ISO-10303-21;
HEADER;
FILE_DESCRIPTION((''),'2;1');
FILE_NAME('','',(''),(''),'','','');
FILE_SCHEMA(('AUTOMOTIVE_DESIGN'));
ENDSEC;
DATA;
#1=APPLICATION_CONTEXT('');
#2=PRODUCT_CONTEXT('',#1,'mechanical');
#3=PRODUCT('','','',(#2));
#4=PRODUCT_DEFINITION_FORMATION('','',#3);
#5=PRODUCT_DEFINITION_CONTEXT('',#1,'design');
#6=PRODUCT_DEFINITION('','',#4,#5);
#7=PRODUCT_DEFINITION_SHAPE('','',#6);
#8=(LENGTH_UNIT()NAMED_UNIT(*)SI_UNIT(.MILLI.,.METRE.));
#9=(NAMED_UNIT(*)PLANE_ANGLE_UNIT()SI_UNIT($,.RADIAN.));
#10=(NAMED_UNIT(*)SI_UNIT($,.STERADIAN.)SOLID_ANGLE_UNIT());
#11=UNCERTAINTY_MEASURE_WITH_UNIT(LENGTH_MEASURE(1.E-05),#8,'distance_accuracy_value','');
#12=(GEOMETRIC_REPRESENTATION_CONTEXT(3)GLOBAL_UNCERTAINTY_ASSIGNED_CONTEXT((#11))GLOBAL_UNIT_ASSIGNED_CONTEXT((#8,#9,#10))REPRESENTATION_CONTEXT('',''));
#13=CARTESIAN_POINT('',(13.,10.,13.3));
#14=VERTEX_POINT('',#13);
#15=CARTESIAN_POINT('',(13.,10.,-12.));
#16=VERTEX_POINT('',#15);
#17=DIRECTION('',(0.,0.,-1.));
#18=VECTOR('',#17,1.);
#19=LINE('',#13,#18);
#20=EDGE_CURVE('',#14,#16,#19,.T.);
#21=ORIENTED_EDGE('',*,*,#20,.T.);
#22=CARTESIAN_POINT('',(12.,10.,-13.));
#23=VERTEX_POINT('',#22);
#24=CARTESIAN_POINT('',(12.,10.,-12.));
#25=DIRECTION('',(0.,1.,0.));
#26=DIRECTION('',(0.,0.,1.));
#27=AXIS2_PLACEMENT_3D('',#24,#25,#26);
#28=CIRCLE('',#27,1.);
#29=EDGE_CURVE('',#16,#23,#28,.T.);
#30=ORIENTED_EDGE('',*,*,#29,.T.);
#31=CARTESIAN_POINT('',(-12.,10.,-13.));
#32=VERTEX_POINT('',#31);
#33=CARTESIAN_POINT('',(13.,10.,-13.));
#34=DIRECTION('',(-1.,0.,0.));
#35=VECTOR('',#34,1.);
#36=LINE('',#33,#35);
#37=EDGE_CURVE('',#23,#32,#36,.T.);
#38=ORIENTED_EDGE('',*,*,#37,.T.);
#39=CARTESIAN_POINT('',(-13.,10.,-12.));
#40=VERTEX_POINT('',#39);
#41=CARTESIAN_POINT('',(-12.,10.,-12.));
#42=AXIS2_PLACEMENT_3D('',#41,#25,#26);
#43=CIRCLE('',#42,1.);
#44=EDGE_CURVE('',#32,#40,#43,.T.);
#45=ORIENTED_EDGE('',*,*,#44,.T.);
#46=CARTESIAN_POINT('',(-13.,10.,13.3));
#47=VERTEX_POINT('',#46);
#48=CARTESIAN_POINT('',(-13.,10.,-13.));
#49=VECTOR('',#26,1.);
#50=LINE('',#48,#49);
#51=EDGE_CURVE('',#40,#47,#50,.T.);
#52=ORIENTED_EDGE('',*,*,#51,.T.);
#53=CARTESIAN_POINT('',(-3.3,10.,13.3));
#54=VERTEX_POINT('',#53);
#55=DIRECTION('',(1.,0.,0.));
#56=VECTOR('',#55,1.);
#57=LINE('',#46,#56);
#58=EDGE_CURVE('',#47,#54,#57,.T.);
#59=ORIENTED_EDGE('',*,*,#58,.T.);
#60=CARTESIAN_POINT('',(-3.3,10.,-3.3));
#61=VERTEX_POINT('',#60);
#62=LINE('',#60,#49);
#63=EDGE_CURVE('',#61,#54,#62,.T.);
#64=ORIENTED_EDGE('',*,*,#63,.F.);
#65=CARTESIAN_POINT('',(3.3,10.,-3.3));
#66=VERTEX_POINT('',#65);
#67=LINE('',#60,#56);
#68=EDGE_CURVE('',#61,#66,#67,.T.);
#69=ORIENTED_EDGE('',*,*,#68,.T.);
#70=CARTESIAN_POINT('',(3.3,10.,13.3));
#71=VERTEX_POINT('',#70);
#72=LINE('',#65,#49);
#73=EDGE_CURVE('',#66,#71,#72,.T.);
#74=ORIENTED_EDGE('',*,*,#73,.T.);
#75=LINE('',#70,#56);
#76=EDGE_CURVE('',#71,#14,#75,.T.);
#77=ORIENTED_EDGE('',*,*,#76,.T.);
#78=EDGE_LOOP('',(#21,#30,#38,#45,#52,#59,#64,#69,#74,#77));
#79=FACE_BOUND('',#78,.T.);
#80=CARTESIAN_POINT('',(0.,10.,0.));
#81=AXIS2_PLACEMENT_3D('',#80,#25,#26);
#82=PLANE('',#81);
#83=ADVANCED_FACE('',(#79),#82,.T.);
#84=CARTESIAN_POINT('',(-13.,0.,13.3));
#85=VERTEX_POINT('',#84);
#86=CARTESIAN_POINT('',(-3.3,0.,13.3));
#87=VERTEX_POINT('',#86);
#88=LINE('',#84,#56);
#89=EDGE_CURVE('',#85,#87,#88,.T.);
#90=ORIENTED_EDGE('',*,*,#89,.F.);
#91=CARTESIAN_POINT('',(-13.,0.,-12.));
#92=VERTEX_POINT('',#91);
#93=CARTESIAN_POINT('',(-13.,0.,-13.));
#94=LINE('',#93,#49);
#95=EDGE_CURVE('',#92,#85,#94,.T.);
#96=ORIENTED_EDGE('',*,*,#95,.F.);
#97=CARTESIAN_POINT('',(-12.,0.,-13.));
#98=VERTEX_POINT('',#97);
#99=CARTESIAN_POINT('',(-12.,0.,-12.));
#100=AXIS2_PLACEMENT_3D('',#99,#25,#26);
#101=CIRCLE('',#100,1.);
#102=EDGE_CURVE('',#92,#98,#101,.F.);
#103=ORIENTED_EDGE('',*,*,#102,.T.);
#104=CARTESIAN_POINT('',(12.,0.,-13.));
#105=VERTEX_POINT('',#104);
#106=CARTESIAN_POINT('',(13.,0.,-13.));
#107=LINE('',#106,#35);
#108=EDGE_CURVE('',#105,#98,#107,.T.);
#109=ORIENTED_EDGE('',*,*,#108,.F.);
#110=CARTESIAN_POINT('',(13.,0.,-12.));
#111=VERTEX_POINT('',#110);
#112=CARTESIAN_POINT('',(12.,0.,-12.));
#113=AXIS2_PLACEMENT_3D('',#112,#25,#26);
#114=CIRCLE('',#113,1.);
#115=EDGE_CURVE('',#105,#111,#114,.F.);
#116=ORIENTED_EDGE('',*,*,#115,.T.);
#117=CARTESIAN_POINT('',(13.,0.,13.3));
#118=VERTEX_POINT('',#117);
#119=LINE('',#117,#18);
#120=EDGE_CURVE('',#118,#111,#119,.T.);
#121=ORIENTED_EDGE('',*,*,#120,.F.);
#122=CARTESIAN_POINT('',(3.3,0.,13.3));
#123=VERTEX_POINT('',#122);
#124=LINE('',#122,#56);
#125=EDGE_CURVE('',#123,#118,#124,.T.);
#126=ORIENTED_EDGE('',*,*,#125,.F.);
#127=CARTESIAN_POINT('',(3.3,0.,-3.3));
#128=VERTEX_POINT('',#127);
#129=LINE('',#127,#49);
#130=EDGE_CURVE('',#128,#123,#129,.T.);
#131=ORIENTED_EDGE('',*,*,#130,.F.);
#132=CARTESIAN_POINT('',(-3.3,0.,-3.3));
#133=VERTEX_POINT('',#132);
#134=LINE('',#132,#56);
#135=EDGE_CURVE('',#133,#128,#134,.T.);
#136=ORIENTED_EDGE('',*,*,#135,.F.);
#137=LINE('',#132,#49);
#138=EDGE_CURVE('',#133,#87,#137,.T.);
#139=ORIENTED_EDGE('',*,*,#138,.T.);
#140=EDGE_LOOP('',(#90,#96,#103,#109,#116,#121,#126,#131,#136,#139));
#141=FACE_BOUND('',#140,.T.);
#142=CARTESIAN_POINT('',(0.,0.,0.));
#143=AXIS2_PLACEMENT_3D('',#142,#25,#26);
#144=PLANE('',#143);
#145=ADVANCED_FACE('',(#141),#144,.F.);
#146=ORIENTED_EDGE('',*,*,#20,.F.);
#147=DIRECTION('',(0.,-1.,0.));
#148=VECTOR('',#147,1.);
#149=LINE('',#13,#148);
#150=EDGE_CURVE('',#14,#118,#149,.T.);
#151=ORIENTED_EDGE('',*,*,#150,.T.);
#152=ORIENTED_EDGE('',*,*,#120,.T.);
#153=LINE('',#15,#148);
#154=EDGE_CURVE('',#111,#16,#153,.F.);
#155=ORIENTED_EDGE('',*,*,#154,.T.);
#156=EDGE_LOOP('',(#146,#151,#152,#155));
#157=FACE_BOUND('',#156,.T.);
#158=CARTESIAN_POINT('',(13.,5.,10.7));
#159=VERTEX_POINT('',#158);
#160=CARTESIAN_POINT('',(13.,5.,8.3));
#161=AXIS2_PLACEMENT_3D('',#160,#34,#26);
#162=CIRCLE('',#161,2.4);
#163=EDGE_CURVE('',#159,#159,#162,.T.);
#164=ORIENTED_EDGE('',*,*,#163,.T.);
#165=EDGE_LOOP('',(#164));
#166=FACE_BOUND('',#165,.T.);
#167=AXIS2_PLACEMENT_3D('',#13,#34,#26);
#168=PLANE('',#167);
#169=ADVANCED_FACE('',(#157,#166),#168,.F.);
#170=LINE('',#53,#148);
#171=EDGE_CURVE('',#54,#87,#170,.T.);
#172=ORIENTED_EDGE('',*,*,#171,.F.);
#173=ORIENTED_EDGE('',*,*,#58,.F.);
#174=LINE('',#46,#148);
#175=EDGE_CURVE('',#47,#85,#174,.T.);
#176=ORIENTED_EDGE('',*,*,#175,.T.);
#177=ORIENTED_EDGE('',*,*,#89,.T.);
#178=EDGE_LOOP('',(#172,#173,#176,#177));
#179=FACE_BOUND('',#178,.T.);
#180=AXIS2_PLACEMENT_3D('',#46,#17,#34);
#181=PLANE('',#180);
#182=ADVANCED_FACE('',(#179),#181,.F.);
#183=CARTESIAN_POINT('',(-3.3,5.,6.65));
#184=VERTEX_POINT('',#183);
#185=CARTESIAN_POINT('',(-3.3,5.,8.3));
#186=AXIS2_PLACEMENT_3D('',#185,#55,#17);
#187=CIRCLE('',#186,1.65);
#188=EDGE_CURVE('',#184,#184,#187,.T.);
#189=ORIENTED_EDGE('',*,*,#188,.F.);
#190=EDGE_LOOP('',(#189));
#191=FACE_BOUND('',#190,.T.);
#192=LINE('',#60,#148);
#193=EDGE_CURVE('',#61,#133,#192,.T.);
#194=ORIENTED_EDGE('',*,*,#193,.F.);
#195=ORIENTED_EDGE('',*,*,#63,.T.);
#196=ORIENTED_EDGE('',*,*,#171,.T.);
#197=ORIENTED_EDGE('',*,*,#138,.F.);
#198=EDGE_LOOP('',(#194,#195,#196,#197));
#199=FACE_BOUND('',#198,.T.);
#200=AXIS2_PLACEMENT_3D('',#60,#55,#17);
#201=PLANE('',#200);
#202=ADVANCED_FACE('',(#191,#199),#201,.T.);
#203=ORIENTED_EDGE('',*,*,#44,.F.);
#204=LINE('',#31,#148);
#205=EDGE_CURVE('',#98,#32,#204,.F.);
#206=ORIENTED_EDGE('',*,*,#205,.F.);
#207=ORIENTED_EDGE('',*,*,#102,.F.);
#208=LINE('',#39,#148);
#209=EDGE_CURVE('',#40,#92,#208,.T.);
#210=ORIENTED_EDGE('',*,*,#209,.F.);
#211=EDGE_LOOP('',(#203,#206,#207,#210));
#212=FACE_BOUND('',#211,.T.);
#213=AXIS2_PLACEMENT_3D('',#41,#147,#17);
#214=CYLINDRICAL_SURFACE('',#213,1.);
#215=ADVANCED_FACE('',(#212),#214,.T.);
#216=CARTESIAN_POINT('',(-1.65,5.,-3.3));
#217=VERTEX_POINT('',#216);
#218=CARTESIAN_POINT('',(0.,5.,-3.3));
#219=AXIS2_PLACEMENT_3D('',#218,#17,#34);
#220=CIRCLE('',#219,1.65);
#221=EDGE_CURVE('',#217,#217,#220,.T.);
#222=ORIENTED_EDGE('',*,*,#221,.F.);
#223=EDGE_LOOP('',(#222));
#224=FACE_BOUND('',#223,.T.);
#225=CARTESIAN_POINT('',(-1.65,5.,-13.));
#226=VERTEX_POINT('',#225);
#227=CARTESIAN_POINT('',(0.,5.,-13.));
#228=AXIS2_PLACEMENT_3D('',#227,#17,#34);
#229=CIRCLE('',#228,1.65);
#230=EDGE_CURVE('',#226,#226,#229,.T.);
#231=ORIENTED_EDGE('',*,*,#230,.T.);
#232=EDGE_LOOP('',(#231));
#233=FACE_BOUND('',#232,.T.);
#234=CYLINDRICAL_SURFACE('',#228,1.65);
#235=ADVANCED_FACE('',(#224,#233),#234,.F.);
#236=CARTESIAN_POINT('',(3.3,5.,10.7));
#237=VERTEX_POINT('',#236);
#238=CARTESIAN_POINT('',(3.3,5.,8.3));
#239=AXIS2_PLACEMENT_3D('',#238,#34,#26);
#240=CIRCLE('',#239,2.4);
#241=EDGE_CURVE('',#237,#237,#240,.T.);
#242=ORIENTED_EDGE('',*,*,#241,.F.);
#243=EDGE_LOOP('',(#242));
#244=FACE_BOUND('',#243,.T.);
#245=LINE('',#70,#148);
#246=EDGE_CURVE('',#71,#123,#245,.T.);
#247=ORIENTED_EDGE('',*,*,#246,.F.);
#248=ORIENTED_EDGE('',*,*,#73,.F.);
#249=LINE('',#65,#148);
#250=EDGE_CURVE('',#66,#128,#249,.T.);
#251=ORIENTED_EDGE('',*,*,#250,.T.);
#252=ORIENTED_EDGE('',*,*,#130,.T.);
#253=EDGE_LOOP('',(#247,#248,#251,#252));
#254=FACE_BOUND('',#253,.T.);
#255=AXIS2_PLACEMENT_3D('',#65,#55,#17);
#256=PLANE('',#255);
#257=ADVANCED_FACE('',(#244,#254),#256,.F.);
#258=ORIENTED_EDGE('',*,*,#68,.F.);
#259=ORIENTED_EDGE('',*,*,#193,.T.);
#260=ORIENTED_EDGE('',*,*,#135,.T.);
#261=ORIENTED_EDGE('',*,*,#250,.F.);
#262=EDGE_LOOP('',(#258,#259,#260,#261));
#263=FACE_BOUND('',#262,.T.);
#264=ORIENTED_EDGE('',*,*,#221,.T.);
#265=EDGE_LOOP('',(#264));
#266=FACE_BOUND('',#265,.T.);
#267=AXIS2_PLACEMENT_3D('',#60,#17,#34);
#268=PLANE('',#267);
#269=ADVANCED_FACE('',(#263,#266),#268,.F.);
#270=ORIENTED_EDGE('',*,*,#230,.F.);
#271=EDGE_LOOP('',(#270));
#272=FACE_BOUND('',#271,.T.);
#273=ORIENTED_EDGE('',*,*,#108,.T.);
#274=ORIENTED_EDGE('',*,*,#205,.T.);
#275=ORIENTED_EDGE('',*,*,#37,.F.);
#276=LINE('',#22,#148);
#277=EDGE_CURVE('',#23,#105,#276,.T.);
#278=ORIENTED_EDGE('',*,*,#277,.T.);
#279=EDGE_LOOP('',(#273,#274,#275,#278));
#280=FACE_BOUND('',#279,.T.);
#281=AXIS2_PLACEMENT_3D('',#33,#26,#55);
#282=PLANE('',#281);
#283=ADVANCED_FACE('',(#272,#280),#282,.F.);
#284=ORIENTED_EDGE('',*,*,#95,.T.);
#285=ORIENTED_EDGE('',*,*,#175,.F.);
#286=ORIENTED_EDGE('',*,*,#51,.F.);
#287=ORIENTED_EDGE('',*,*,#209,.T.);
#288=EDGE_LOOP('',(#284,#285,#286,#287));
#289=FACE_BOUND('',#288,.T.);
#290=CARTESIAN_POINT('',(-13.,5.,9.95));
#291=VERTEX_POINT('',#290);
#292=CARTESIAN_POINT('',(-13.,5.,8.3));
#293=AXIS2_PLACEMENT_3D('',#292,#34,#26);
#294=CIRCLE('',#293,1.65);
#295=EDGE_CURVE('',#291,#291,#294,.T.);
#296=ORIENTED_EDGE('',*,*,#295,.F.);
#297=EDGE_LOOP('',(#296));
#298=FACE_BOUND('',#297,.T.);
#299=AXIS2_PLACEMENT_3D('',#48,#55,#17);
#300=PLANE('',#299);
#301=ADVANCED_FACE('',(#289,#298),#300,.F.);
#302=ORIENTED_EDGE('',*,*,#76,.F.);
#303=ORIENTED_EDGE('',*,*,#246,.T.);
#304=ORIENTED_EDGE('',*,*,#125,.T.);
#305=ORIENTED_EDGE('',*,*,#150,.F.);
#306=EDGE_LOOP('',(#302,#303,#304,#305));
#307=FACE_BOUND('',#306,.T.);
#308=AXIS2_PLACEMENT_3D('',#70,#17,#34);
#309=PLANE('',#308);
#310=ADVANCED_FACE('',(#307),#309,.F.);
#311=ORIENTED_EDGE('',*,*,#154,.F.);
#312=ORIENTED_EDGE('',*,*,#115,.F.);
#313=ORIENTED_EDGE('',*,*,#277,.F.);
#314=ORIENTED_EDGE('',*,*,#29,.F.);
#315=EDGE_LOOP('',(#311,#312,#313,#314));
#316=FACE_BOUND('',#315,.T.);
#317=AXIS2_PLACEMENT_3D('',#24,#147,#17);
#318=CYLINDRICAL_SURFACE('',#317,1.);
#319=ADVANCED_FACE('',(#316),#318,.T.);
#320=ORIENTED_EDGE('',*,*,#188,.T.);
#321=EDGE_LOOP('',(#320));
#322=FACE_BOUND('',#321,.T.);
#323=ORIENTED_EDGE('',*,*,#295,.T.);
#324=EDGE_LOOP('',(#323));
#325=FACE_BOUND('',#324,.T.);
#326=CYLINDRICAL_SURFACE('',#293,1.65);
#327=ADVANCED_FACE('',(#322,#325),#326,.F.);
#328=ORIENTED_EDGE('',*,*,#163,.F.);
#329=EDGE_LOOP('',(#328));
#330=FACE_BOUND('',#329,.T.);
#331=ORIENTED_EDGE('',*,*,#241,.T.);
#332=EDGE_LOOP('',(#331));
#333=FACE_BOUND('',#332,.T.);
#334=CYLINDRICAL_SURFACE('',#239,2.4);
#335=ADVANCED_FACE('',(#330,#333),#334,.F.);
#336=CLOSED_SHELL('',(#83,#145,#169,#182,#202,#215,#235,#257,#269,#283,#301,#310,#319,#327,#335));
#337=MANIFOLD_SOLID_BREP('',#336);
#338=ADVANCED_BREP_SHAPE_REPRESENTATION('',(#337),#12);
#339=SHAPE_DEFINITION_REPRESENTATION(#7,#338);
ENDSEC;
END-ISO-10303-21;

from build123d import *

# Parameters (mm, degrees)
BOSS_EXTRUDE1_DEPTH             = 10
TAP_DRILL_FOR_M4X0_7_TAP1_D     = 3.3
TAP_DRILL_FOR_M4X0_7_TAP1_DEPTH = 9.7
SKETCH5_W                       = 2.4
SKETCH5_H                       = 9.7
TAP_DRILL_FOR_M4X0_7_TAP2_D     = 3.3
FILLET1_R                       = 1


with BuildPart() as part:
    # Sketch1 → Boss-Extrude1 (new body)
    with BuildSketch(Plane(origin=(0, 0, 0), x_dir=(1, 0, 0), z_dir=(0, 1, 0))):
        Polygon((-3.3, 3.3), (-3.3, -13.3), (-13, -13.3), (-13, 13), (13, 13), (13, -13.3), (3.3, -13.3), (3.3, 3.3), align=None)
    extrude(amount=BOSS_EXTRUDE1_DEPTH)

    # Tap Drill for M4x0.7 Tap1
    with Locations(Plane(origin=(-13, 5, 8.3), x_dir=(0, 0, -1), z_dir=(-1, 0, 0))):
        with Locations((0, 0)):
            Hole(TAP_DRILL_FOR_M4X0_7_TAP1_D / 2, depth=TAP_DRILL_FOR_M4X0_7_TAP1_DEPTH)

    # Sketch5 → M4 Clearance Hole1 (revolve, cut)
    with BuildSketch(Plane(origin=(3.3, 5, 8.3), x_dir=(0, 0, 1), z_dir=(0, 1, 0))):
        with Locations((1.2, 4.85)):
            Rectangle(SKETCH5_W, SKETCH5_H)
    revolve(axis=Axis((-3.05, 5, 8.3), (1, 0, 0)), mode=Mode.SUBTRACT)

    # Tap Drill for M4x0.7 Tap2 (through all)
    with Locations(Plane(origin=(0, 5, -13), x_dir=(-1, 0, 0), z_dir=(0, 0, -1))):
        with Locations((0, 0)):
            Hole(TAP_DRILL_FOR_M4X0_7_TAP2_D / 2)

    # Fillet1
    fillet1_edges = [part.edges().sort_by_distance(p)[0] for p in [
        (-13, 5, -13),
        (13, 5, -13),
    ]]
    fillet(fillet1_edges, radius=FILLET1_R)


solid = part.part
